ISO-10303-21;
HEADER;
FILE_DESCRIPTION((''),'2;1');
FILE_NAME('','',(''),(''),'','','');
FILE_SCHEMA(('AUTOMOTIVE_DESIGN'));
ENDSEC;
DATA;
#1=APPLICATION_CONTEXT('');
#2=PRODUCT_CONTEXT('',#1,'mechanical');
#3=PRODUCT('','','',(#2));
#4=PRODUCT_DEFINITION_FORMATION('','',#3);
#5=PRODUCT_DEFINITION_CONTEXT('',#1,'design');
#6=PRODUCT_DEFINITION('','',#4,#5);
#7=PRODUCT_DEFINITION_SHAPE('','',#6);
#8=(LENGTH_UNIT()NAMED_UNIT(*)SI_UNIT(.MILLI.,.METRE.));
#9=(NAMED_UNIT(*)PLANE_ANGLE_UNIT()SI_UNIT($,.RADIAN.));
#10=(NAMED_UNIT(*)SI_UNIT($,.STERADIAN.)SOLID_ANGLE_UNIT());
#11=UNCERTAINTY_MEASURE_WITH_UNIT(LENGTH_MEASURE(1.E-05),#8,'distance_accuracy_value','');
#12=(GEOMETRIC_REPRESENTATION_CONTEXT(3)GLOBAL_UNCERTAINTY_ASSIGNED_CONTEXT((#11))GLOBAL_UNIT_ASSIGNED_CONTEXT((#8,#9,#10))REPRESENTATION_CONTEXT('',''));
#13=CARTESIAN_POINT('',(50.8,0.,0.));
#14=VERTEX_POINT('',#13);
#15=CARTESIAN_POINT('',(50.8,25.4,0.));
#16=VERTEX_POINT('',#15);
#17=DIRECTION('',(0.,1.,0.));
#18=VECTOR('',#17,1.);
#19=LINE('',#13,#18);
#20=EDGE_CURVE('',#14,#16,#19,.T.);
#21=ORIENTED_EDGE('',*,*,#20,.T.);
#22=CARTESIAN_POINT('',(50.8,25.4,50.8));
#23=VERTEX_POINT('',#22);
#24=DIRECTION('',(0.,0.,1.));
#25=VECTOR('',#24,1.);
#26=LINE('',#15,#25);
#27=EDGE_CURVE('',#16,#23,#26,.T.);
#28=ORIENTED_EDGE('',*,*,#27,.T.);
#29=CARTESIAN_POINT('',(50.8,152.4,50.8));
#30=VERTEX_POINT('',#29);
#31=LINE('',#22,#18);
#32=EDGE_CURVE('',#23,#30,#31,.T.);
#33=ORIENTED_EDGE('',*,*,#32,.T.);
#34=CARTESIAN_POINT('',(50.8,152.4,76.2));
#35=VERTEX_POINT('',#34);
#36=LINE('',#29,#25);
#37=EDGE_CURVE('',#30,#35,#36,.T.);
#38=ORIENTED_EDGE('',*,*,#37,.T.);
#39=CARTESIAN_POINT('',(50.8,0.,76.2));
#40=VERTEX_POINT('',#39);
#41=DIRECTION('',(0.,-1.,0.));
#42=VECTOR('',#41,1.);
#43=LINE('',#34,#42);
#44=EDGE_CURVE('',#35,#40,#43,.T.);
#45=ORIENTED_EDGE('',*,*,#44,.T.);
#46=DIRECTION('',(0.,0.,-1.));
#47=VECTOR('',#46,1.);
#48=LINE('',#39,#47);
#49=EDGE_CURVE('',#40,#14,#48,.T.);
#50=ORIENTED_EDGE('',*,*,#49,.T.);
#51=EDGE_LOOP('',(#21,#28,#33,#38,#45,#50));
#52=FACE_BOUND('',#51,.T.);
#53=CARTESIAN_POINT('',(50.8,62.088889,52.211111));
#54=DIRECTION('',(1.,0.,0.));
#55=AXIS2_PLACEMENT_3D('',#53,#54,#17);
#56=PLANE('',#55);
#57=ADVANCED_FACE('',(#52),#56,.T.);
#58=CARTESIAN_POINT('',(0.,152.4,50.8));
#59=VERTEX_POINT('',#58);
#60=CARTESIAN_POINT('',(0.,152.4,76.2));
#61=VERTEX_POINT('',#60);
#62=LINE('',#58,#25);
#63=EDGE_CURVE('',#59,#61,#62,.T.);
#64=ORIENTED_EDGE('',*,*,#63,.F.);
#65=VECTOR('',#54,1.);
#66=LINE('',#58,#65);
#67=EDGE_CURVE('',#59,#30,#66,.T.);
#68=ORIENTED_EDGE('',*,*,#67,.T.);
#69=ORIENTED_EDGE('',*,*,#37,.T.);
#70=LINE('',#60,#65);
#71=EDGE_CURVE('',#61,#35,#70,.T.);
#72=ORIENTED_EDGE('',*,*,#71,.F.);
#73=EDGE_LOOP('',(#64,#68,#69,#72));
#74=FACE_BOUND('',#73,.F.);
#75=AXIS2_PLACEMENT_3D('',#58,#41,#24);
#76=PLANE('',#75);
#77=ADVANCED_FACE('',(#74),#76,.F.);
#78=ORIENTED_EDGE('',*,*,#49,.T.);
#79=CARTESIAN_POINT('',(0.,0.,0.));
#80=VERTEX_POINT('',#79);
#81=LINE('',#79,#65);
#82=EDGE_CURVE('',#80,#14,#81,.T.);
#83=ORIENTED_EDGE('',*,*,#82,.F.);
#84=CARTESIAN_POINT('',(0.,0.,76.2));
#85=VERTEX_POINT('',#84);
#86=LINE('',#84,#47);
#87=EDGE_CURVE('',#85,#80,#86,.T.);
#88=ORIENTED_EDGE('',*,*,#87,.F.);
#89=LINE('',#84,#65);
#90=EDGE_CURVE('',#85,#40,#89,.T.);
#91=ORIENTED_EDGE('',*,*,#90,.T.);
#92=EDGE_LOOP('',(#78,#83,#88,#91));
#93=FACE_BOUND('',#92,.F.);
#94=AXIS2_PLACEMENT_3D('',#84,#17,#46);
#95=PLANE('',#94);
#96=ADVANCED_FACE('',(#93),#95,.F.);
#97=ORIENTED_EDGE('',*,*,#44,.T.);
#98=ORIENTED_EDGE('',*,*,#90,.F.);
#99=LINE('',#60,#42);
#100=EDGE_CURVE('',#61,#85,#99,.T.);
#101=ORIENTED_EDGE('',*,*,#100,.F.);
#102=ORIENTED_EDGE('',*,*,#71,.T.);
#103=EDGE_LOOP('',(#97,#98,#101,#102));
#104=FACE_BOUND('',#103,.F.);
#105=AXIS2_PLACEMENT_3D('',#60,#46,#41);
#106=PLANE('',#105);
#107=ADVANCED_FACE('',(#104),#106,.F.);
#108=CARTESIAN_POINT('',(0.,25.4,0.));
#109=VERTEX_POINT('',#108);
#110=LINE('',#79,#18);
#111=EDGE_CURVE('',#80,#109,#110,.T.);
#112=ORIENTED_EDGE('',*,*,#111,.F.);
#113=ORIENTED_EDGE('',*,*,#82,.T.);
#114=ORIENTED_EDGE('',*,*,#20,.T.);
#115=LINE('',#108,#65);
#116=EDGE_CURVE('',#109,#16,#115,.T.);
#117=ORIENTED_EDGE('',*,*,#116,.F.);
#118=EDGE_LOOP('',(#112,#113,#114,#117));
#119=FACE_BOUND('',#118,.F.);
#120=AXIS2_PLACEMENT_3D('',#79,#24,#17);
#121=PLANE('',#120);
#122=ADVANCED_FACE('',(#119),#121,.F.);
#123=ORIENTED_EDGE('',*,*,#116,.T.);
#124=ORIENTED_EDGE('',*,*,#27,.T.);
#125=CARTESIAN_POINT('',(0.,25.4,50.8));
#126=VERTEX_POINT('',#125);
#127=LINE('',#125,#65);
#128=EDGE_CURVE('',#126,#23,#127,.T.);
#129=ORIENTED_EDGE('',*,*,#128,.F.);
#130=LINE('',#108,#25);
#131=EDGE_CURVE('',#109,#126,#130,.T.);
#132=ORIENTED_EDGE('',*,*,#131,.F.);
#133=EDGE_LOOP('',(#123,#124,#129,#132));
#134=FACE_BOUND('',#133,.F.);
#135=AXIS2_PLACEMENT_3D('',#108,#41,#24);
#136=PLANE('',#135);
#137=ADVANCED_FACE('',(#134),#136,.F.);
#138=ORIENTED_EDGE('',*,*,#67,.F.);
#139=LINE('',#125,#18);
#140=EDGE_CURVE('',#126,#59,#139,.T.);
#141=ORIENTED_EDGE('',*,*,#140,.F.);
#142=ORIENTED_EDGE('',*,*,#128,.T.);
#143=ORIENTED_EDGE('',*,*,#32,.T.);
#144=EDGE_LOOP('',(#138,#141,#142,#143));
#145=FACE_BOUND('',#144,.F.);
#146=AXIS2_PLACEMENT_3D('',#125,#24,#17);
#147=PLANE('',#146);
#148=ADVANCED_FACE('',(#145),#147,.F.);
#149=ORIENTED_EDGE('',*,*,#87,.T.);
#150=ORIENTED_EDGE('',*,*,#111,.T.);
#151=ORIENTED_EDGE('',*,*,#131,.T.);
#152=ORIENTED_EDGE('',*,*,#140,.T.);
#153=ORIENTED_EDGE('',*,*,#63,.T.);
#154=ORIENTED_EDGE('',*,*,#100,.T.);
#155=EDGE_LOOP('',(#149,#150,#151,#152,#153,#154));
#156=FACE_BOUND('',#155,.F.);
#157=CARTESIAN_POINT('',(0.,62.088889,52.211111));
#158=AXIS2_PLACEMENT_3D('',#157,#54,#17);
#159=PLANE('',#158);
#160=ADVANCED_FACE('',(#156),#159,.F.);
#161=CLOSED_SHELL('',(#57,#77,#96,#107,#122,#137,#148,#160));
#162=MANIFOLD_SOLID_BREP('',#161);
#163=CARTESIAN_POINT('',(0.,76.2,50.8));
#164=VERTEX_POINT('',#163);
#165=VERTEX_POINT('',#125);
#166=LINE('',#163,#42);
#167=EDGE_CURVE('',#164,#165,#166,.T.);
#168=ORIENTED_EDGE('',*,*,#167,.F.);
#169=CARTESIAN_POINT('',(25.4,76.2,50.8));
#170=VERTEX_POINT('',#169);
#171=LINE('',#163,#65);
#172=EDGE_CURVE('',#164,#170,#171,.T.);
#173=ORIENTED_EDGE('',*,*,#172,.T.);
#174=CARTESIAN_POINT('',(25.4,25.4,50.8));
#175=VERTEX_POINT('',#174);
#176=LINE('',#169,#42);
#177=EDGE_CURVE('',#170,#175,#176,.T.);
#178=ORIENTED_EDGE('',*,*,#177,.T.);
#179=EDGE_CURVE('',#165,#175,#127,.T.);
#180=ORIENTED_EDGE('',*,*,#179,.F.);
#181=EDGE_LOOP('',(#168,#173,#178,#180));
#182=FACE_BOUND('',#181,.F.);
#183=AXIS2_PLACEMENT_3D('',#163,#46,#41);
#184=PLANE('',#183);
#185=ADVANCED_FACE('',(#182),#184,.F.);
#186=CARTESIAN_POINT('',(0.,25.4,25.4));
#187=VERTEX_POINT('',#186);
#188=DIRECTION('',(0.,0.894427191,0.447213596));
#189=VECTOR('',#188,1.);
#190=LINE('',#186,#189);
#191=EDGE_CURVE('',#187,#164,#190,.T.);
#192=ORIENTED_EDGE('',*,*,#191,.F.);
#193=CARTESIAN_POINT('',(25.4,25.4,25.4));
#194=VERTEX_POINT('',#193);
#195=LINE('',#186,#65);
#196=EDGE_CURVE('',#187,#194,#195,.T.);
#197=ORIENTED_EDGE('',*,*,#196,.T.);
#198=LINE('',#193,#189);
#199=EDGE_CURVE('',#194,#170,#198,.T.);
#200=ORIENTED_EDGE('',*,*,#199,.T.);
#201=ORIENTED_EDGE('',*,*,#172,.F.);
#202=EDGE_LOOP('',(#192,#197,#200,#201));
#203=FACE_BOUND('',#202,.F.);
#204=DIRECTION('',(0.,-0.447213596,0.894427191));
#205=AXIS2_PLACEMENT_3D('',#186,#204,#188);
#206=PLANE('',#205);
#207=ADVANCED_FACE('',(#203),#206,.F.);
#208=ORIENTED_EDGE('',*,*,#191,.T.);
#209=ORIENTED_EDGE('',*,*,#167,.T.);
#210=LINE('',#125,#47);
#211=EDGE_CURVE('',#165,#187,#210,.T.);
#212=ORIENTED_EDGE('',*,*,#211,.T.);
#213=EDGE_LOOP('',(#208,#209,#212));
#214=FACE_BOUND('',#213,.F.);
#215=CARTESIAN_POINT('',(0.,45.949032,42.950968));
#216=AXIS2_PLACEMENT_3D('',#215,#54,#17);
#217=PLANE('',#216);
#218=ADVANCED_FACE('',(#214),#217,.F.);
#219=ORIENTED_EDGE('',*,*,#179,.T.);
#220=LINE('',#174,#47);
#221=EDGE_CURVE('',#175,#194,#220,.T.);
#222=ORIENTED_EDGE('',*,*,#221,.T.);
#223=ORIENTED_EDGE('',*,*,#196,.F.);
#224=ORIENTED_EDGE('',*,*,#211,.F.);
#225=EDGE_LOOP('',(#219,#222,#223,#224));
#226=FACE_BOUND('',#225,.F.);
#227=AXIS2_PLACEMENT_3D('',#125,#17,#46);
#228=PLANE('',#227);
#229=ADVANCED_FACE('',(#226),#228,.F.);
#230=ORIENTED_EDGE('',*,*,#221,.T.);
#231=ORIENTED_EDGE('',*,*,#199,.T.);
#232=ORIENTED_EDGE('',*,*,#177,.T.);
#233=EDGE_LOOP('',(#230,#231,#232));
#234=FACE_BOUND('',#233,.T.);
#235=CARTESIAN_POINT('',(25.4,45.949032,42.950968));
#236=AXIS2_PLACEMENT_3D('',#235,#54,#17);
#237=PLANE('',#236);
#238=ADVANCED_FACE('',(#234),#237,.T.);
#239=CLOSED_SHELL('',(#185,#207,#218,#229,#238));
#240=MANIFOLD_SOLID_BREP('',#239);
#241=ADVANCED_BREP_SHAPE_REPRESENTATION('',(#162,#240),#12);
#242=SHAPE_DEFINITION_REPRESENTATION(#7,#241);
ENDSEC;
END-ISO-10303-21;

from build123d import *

# Parameters (mm, degrees)
F1_DEPTH = 50.8
F3_DEPTH = 25.4


with BuildPart() as f1:
    # F0 (on Right) → F1 (new body)
    with BuildSketch(Plane.YZ):
        Polygon((0, 76.2), (0, 0), (25.4, 0), (25.4, 50.8), (152.4, 50.8), (152.4, 76.2), align=None)
    extrude(amount=F1_DEPTH)


with BuildPart() as f3:
    # F2 (on Right) → F3 (new body)
    with BuildSketch(Plane.YZ):
        Polygon((76.2, 50.8), (25.4, 50.8), (25.4, 25.4), align=None)
    extrude(amount=F3_DEPTH)


solid = Compound([f1.part, f3.part])
